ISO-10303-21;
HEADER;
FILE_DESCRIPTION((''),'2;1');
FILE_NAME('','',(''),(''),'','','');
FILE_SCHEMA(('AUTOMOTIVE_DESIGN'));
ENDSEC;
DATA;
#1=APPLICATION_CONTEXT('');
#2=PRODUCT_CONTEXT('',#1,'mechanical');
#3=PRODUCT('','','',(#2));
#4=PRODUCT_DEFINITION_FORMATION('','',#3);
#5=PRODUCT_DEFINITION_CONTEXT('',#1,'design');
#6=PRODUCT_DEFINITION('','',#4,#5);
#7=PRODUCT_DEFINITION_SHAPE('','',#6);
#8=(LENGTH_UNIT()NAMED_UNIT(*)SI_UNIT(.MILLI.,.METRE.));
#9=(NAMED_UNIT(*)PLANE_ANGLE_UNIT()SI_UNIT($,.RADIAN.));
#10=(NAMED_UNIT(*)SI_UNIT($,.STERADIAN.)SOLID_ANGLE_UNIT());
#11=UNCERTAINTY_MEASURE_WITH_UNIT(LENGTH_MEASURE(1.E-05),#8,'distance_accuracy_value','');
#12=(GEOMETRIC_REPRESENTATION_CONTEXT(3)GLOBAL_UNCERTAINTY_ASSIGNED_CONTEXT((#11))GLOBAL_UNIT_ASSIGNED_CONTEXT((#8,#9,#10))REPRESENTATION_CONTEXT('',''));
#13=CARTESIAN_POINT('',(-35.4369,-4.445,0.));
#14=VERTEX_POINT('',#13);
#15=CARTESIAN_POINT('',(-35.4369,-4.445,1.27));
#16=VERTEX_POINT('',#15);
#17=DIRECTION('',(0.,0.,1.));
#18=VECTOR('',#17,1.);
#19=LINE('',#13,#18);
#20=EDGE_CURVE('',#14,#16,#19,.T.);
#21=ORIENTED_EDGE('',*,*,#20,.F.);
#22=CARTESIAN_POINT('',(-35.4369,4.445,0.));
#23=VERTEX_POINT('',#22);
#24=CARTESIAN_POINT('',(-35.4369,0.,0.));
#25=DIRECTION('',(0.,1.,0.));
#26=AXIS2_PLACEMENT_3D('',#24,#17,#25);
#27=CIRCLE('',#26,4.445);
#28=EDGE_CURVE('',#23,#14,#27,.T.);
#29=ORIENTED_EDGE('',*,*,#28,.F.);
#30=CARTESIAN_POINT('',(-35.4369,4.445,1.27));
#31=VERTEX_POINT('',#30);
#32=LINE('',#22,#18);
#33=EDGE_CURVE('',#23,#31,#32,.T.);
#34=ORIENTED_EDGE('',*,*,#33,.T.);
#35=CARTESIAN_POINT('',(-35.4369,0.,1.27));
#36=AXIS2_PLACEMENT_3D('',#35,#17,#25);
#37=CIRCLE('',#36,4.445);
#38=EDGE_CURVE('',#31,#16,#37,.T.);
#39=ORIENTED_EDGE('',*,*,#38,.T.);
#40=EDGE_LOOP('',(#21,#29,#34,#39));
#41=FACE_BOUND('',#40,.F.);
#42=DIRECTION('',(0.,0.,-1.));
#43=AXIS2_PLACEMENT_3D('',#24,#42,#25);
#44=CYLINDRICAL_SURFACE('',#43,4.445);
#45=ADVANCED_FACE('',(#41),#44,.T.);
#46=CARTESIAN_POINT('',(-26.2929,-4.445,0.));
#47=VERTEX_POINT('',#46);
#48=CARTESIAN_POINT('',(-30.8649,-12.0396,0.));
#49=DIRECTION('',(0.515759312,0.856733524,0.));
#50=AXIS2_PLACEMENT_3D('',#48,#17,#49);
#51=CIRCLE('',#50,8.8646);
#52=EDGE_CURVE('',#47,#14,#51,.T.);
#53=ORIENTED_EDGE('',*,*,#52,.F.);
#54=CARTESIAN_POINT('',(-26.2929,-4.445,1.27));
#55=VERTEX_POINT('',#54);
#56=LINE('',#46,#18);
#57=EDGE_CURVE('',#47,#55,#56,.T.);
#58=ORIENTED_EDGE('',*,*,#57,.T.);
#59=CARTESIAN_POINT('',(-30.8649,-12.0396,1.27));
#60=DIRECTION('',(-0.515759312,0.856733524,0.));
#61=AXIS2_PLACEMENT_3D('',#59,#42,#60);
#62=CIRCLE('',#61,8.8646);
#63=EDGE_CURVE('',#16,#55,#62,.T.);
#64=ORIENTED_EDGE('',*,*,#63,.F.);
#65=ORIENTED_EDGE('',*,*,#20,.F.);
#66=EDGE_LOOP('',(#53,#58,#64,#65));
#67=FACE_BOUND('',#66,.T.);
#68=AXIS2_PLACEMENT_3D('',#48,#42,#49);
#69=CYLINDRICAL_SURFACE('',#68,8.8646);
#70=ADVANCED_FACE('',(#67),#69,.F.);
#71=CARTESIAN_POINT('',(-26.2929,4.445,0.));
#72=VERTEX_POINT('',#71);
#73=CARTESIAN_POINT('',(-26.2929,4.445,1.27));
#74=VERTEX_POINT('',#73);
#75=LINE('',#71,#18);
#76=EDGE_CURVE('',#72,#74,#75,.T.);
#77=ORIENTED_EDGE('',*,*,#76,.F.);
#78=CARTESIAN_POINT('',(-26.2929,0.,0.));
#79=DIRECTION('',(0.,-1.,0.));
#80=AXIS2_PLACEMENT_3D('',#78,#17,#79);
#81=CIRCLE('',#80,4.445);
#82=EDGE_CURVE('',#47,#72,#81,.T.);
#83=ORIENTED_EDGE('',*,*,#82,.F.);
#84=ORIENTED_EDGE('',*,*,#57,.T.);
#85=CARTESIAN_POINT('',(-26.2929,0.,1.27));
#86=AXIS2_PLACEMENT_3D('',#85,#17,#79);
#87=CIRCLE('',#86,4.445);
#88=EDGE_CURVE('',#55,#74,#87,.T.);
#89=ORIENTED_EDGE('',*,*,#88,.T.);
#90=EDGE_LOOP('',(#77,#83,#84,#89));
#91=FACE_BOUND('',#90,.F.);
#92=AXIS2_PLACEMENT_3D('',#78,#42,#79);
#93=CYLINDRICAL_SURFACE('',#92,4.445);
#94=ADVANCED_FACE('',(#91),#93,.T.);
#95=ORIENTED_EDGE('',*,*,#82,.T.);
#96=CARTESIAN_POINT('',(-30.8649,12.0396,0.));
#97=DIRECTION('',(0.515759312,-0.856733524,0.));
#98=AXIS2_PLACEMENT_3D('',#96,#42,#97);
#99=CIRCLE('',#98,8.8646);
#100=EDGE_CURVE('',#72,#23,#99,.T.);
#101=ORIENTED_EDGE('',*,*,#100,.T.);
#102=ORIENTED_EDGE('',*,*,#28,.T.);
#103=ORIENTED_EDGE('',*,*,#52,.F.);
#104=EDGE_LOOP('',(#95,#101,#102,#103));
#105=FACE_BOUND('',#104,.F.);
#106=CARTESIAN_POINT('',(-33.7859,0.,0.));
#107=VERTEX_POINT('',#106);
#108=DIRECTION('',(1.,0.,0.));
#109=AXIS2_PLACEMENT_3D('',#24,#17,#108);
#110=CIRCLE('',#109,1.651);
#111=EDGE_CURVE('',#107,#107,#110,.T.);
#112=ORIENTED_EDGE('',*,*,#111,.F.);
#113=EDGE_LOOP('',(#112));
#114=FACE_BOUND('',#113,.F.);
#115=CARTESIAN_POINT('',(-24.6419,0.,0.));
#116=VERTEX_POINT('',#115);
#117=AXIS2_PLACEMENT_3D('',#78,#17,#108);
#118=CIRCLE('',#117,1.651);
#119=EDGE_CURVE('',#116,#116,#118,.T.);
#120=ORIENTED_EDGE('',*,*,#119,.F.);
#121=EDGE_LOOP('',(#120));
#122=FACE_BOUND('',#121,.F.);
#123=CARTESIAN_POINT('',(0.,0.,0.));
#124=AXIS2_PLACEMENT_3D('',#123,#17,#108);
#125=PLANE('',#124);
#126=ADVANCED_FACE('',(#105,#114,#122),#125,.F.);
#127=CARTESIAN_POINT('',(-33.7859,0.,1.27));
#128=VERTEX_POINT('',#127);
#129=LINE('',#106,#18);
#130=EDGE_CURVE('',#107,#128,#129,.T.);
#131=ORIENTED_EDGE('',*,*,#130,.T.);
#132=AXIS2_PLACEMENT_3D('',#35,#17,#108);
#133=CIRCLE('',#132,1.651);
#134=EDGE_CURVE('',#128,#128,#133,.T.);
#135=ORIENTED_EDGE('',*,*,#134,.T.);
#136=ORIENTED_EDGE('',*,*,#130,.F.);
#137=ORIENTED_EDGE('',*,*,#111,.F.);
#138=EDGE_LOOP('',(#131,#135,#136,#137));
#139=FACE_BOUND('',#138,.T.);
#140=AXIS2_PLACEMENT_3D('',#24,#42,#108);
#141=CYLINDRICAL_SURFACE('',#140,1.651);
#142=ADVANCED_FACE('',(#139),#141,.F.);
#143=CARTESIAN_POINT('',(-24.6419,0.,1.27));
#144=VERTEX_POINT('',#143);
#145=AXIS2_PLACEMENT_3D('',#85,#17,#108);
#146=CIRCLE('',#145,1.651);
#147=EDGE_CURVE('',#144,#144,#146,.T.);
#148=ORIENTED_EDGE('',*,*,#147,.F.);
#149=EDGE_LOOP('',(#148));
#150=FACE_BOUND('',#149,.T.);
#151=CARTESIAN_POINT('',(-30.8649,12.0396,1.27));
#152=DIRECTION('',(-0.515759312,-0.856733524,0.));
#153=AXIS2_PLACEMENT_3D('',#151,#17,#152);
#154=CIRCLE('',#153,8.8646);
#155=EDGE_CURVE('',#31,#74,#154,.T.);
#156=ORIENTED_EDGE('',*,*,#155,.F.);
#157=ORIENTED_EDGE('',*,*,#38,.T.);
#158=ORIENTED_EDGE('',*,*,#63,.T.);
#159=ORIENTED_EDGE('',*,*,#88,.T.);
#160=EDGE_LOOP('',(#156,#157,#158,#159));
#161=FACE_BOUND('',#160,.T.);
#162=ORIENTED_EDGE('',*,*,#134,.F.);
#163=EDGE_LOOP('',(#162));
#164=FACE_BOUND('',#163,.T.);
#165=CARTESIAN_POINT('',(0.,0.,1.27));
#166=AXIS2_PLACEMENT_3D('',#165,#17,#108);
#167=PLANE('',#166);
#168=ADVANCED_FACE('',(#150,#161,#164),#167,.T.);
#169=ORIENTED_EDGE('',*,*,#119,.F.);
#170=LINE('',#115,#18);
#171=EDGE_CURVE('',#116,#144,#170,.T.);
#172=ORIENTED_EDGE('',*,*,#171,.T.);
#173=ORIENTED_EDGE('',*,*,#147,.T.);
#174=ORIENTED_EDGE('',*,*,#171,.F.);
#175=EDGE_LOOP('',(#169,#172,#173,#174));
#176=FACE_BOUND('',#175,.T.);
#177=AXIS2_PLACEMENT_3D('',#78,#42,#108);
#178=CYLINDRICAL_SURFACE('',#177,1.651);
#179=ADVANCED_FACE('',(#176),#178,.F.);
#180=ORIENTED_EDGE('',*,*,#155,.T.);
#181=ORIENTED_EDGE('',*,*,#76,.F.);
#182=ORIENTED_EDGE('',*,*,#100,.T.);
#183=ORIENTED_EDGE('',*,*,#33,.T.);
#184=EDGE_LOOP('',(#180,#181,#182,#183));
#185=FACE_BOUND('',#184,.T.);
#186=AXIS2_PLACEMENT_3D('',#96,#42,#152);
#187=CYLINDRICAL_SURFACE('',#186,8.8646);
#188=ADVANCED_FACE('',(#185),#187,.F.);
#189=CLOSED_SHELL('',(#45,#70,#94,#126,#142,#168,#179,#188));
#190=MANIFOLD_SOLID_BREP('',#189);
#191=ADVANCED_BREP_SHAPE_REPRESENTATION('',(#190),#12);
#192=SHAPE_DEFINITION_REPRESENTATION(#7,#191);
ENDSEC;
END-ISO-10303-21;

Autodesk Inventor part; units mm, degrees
ref_plane "YZ Plane" through (0, 0, 0) normal (1, 0, 0) x (0, 1, 0)
ref_plane "XZ Plane" through (0, 0, 0) normal (0, 1, 0) x (-1, 0, 0)
ref_plane "XY Plane" through (0, 0, 0) normal (0, 0, 1) x (1, 0, 0)
sketch "Sketch1" plane through (0, 0, 0) normal (0, 0, 1) x (1, 0, 0)
  line L0 (-30.8649, 3.175) -> (-30.8649, -3.175)
  circle A0 centre (-35.4369, 0) radius 1.651
  circle A1 centre (-26.2929, 0) radius 1.651
  arc A2 (-35.4369, 4.445) -> (-26.2929, 4.445) centre (-30.8649, 12.0396) ccw
  arc A3 (-26.2929, -4.445) -> (-35.4369, -4.445) centre (-30.8649, -12.0396) ccw
  arc A4 (-26.2929, -4.445) -> (-26.2929, 4.445) centre (-26.2929, 0) ccw
  arc A5 (-35.4369, 4.445) -> (-35.4369, -4.445) centre (-35.4369, 0) ccw
  point P0 (0, 0)
  dimension "d2" = 6.35
  dimension "d3" = 3.175
  dimension "d4" = 3.175
  dimension "d6" = 4.572
  dimension "d7" = 9.144
  dimension "d8" = 3.302
  dimension "d9" = 3.302
extrude "Extrusion1" add sketch "Sketch1" along normal blind 1.27
properties part number "inner_link"
